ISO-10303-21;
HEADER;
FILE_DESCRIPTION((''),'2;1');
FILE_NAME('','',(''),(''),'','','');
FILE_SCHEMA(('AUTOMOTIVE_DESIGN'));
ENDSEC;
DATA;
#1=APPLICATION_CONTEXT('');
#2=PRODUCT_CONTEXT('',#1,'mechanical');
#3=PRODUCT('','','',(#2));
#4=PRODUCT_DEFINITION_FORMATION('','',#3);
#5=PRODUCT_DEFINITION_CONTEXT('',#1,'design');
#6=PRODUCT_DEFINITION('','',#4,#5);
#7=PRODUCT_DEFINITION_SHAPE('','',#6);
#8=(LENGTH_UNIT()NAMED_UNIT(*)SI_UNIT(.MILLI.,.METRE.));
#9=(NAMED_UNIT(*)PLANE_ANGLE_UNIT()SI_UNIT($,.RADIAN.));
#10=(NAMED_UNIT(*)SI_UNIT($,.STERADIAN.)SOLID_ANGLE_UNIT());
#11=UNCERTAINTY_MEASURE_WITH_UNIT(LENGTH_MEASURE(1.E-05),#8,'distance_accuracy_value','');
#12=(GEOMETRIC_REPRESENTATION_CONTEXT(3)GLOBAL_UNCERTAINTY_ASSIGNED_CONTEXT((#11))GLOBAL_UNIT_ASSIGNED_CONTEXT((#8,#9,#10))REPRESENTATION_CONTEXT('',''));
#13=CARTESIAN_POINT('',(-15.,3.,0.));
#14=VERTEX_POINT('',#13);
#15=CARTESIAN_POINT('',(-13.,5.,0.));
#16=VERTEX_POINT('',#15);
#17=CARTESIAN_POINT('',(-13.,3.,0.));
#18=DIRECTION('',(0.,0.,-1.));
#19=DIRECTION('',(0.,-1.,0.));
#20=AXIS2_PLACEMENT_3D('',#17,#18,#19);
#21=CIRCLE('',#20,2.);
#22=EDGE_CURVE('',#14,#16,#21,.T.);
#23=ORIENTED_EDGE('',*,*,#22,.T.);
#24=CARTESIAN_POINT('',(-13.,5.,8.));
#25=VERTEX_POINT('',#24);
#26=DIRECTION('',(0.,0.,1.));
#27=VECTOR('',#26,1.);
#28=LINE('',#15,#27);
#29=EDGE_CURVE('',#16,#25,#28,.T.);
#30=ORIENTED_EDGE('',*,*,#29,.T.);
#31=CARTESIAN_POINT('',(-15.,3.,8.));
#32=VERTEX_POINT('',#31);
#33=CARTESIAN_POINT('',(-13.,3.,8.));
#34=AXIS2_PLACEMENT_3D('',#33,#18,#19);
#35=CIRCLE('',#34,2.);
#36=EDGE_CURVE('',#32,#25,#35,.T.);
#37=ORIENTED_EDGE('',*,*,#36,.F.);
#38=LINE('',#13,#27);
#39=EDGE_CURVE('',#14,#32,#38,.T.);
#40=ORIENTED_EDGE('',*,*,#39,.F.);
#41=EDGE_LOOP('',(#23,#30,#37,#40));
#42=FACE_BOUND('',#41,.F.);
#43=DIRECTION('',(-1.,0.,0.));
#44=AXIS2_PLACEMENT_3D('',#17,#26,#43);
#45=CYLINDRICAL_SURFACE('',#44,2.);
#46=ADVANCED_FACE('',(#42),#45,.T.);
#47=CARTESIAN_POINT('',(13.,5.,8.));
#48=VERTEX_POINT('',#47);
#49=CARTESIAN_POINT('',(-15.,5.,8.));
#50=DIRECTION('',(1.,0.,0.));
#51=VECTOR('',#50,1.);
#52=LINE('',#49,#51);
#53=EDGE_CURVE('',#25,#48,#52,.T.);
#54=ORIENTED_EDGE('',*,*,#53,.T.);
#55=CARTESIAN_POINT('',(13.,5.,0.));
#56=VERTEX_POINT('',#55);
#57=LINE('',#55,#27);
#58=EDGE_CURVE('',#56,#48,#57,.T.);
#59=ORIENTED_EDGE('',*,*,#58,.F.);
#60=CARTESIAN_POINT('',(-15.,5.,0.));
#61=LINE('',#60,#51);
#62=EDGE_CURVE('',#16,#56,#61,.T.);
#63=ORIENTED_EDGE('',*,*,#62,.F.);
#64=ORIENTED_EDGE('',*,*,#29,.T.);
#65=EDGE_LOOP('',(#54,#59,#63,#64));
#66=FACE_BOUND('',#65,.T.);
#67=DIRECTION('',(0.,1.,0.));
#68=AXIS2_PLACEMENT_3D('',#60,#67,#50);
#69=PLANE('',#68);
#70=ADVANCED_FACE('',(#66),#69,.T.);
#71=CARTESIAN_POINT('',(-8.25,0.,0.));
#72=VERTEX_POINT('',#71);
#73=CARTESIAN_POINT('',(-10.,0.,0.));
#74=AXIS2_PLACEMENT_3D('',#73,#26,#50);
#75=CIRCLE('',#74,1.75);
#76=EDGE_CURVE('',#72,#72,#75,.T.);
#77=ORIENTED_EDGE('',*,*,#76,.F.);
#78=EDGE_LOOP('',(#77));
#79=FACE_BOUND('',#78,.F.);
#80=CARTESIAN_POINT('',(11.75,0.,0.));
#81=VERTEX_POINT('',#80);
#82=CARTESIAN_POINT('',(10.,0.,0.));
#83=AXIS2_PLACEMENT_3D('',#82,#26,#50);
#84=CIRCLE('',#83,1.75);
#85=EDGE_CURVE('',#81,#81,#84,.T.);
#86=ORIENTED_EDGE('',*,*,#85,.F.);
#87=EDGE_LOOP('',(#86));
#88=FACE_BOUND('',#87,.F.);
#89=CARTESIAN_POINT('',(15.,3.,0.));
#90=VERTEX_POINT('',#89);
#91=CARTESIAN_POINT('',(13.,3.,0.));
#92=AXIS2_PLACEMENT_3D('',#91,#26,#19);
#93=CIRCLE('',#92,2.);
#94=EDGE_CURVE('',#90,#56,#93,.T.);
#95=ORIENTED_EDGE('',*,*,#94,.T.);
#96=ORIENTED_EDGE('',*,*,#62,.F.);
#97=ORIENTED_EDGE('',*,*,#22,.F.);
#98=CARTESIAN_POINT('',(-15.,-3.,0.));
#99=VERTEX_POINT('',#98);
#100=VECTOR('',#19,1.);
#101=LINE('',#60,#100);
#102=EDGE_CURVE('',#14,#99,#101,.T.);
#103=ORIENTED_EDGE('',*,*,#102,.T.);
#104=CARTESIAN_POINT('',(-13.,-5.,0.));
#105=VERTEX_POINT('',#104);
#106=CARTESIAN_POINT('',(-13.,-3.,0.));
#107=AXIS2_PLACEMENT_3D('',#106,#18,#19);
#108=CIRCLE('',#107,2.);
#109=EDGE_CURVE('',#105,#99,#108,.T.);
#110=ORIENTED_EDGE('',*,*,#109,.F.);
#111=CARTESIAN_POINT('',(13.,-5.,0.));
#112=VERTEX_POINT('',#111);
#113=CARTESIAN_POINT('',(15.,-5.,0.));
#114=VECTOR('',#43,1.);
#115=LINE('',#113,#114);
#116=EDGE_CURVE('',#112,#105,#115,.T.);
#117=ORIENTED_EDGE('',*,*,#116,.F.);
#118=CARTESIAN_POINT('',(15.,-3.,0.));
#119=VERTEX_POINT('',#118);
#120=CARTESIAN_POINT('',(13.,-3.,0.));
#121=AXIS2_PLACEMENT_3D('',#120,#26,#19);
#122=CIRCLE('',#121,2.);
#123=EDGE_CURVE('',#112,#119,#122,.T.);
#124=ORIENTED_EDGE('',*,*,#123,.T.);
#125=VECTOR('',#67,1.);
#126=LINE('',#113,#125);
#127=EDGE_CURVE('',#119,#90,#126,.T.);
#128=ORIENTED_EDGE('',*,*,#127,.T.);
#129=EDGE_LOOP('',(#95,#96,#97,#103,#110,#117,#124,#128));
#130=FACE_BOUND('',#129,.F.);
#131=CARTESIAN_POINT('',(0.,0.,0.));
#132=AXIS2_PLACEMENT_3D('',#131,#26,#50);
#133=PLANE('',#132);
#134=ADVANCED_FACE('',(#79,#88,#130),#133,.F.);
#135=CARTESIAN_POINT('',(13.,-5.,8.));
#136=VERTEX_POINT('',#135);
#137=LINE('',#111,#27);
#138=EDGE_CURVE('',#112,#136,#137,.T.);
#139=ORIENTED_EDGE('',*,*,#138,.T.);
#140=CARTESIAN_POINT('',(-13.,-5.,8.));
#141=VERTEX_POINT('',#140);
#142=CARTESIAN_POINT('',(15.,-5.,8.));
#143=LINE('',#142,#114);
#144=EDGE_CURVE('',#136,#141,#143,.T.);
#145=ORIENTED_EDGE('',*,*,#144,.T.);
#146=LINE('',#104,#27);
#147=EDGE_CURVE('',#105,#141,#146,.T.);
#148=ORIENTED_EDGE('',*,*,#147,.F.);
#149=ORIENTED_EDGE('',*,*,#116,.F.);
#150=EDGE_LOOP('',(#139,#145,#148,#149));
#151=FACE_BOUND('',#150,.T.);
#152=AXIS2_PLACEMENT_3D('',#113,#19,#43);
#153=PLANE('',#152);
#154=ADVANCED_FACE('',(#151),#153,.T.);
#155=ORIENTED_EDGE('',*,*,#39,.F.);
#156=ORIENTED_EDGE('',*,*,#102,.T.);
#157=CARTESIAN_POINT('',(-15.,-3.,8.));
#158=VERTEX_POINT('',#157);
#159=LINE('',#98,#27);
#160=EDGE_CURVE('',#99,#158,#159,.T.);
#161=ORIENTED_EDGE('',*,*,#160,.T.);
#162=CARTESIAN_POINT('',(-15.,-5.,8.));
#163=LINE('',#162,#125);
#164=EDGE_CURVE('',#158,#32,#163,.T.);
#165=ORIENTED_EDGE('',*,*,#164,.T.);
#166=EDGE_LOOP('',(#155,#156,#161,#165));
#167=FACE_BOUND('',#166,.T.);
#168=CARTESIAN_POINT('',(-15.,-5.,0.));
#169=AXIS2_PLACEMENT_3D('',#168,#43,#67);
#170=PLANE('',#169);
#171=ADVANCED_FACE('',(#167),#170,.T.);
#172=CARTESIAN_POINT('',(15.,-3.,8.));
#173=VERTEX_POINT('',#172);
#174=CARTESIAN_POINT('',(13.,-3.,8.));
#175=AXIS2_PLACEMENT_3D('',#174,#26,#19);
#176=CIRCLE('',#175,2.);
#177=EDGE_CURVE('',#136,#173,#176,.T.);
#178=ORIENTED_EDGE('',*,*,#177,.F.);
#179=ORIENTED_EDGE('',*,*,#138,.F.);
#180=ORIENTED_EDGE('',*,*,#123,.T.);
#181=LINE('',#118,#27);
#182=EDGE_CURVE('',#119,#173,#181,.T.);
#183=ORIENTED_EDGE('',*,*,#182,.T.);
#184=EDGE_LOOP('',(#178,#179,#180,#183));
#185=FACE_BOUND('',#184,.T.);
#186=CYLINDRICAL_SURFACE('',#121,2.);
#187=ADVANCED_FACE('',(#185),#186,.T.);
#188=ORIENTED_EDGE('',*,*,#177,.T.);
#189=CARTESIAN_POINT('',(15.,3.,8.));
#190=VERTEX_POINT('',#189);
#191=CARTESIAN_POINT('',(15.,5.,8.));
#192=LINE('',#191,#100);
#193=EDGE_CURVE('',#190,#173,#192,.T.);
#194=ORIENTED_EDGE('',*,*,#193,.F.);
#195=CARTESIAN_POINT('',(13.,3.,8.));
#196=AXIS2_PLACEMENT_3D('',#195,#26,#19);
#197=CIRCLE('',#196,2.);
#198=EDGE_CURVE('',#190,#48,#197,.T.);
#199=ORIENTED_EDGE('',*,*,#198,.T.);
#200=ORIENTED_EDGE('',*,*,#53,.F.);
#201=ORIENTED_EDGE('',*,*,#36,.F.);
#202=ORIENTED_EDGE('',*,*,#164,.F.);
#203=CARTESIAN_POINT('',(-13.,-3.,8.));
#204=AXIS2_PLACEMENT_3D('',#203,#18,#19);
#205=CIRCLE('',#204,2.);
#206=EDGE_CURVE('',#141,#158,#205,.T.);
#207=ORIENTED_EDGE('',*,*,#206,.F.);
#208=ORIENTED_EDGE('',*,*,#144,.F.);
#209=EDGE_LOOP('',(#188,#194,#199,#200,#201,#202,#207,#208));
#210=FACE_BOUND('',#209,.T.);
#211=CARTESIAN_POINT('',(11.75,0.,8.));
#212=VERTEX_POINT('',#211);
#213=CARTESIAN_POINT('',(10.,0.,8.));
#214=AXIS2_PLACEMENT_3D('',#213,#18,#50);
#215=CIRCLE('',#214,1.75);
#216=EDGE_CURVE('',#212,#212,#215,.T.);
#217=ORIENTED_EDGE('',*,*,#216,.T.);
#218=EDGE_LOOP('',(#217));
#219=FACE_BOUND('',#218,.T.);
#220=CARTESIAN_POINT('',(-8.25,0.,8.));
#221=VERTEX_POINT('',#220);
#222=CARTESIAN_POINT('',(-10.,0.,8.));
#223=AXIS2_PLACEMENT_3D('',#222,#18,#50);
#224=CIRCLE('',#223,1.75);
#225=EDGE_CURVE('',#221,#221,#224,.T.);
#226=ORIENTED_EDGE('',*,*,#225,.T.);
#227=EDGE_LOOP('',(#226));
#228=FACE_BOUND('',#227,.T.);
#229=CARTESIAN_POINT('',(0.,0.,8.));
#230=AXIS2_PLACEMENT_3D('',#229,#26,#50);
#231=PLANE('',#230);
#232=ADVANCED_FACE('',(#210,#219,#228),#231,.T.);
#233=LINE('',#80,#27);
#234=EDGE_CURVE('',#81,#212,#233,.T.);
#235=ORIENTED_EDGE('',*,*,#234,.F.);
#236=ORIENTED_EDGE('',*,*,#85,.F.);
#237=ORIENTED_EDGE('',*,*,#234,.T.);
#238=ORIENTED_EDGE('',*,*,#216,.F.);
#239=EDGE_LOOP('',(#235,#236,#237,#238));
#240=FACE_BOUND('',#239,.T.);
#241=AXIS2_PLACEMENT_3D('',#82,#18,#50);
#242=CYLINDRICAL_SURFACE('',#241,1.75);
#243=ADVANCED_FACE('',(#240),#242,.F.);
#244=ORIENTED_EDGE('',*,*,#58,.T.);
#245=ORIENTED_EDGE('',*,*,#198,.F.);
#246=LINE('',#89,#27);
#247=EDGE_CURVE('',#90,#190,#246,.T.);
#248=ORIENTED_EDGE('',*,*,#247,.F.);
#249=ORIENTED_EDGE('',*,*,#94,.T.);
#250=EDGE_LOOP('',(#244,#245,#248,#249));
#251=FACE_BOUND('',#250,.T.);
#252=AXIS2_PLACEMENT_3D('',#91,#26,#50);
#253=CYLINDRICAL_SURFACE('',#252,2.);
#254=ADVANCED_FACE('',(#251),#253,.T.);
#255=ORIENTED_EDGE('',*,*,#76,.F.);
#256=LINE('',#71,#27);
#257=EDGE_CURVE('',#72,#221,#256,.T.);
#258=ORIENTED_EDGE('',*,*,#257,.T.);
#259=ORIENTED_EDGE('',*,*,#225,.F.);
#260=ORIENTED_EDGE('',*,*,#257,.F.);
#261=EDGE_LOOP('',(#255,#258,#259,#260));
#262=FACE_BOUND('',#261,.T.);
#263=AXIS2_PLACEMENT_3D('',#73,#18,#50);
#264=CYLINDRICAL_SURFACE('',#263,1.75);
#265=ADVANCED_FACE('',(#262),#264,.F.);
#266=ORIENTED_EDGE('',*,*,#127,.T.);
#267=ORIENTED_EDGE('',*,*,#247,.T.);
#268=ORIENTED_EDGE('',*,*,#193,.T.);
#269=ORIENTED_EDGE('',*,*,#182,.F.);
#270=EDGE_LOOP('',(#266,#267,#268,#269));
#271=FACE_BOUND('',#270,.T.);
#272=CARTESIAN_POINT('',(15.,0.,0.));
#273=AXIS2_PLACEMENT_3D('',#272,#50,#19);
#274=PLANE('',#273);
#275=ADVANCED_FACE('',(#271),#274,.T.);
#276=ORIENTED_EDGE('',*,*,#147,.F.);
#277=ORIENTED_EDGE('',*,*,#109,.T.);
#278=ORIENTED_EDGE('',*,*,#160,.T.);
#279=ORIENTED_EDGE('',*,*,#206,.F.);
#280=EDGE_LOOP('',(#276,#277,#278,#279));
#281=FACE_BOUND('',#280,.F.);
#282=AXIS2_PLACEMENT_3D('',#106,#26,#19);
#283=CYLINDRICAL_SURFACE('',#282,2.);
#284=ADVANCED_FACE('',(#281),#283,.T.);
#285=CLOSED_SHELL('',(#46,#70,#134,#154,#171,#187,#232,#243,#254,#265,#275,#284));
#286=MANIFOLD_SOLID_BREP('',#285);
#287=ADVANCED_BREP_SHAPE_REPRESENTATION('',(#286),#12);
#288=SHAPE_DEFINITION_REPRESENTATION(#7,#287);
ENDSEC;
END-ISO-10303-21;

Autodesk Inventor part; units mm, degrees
ref_plane "YZ Plane" through (0, 0, 0) normal (1, 0, 0) x (0, 1, 0)
ref_plane "XZ Plane" through (0, 0, 0) normal (0, 1, 0) x (-1, 0, 0)
ref_plane "XY Plane" through (0, 0, 0) normal (0, 0, 1) x (1, 0, 0)
sketch "スケッチ1" plane through (0, 0, 0) normal (0, 0, 1) x (1, 0, 0)
  line L0 (15, -5) -> (-15, -5)
  line L1 (-15, -5) -> (-15, 5)
  line L2 (-15, 5) -> (15, 5)
  line L3 (15, 5) -> (15, -5)
  line L4 (15, -5) -> (-15, 5) construction
  line L5 (-15, -5) -> (15, 5) construction
  line L6 (-15, 0) -> (15, 0)
  circle A0 centre (-10, 0) radius 1.75
  circle A1 centre (10, 0) radius 1.75
  point P0 (0, 0)
  point P1 (0, 0)
  dimension "d0" = 30
  dimension "d1" = 10
  dimension "d2" = 3.5
  dimension "d3" = 3.5
  dimension "d4" = 20
  dimension "d5" = 10
extrude "押し出し1" add sketch "スケッチ1" along normal blind 8 contours L0 L1 L6 A0 A1 L3 | L6 A1 A0 L1 L2 L3
fillet "フィレット1" radius 2 4 edges at (-15, 5, 4) (15, 5, 4) (15, -5, 4) (-15, -5, 4)
equation "\"d5\" = 0.5 * d4"
properties part number "gear_enco_plate"
